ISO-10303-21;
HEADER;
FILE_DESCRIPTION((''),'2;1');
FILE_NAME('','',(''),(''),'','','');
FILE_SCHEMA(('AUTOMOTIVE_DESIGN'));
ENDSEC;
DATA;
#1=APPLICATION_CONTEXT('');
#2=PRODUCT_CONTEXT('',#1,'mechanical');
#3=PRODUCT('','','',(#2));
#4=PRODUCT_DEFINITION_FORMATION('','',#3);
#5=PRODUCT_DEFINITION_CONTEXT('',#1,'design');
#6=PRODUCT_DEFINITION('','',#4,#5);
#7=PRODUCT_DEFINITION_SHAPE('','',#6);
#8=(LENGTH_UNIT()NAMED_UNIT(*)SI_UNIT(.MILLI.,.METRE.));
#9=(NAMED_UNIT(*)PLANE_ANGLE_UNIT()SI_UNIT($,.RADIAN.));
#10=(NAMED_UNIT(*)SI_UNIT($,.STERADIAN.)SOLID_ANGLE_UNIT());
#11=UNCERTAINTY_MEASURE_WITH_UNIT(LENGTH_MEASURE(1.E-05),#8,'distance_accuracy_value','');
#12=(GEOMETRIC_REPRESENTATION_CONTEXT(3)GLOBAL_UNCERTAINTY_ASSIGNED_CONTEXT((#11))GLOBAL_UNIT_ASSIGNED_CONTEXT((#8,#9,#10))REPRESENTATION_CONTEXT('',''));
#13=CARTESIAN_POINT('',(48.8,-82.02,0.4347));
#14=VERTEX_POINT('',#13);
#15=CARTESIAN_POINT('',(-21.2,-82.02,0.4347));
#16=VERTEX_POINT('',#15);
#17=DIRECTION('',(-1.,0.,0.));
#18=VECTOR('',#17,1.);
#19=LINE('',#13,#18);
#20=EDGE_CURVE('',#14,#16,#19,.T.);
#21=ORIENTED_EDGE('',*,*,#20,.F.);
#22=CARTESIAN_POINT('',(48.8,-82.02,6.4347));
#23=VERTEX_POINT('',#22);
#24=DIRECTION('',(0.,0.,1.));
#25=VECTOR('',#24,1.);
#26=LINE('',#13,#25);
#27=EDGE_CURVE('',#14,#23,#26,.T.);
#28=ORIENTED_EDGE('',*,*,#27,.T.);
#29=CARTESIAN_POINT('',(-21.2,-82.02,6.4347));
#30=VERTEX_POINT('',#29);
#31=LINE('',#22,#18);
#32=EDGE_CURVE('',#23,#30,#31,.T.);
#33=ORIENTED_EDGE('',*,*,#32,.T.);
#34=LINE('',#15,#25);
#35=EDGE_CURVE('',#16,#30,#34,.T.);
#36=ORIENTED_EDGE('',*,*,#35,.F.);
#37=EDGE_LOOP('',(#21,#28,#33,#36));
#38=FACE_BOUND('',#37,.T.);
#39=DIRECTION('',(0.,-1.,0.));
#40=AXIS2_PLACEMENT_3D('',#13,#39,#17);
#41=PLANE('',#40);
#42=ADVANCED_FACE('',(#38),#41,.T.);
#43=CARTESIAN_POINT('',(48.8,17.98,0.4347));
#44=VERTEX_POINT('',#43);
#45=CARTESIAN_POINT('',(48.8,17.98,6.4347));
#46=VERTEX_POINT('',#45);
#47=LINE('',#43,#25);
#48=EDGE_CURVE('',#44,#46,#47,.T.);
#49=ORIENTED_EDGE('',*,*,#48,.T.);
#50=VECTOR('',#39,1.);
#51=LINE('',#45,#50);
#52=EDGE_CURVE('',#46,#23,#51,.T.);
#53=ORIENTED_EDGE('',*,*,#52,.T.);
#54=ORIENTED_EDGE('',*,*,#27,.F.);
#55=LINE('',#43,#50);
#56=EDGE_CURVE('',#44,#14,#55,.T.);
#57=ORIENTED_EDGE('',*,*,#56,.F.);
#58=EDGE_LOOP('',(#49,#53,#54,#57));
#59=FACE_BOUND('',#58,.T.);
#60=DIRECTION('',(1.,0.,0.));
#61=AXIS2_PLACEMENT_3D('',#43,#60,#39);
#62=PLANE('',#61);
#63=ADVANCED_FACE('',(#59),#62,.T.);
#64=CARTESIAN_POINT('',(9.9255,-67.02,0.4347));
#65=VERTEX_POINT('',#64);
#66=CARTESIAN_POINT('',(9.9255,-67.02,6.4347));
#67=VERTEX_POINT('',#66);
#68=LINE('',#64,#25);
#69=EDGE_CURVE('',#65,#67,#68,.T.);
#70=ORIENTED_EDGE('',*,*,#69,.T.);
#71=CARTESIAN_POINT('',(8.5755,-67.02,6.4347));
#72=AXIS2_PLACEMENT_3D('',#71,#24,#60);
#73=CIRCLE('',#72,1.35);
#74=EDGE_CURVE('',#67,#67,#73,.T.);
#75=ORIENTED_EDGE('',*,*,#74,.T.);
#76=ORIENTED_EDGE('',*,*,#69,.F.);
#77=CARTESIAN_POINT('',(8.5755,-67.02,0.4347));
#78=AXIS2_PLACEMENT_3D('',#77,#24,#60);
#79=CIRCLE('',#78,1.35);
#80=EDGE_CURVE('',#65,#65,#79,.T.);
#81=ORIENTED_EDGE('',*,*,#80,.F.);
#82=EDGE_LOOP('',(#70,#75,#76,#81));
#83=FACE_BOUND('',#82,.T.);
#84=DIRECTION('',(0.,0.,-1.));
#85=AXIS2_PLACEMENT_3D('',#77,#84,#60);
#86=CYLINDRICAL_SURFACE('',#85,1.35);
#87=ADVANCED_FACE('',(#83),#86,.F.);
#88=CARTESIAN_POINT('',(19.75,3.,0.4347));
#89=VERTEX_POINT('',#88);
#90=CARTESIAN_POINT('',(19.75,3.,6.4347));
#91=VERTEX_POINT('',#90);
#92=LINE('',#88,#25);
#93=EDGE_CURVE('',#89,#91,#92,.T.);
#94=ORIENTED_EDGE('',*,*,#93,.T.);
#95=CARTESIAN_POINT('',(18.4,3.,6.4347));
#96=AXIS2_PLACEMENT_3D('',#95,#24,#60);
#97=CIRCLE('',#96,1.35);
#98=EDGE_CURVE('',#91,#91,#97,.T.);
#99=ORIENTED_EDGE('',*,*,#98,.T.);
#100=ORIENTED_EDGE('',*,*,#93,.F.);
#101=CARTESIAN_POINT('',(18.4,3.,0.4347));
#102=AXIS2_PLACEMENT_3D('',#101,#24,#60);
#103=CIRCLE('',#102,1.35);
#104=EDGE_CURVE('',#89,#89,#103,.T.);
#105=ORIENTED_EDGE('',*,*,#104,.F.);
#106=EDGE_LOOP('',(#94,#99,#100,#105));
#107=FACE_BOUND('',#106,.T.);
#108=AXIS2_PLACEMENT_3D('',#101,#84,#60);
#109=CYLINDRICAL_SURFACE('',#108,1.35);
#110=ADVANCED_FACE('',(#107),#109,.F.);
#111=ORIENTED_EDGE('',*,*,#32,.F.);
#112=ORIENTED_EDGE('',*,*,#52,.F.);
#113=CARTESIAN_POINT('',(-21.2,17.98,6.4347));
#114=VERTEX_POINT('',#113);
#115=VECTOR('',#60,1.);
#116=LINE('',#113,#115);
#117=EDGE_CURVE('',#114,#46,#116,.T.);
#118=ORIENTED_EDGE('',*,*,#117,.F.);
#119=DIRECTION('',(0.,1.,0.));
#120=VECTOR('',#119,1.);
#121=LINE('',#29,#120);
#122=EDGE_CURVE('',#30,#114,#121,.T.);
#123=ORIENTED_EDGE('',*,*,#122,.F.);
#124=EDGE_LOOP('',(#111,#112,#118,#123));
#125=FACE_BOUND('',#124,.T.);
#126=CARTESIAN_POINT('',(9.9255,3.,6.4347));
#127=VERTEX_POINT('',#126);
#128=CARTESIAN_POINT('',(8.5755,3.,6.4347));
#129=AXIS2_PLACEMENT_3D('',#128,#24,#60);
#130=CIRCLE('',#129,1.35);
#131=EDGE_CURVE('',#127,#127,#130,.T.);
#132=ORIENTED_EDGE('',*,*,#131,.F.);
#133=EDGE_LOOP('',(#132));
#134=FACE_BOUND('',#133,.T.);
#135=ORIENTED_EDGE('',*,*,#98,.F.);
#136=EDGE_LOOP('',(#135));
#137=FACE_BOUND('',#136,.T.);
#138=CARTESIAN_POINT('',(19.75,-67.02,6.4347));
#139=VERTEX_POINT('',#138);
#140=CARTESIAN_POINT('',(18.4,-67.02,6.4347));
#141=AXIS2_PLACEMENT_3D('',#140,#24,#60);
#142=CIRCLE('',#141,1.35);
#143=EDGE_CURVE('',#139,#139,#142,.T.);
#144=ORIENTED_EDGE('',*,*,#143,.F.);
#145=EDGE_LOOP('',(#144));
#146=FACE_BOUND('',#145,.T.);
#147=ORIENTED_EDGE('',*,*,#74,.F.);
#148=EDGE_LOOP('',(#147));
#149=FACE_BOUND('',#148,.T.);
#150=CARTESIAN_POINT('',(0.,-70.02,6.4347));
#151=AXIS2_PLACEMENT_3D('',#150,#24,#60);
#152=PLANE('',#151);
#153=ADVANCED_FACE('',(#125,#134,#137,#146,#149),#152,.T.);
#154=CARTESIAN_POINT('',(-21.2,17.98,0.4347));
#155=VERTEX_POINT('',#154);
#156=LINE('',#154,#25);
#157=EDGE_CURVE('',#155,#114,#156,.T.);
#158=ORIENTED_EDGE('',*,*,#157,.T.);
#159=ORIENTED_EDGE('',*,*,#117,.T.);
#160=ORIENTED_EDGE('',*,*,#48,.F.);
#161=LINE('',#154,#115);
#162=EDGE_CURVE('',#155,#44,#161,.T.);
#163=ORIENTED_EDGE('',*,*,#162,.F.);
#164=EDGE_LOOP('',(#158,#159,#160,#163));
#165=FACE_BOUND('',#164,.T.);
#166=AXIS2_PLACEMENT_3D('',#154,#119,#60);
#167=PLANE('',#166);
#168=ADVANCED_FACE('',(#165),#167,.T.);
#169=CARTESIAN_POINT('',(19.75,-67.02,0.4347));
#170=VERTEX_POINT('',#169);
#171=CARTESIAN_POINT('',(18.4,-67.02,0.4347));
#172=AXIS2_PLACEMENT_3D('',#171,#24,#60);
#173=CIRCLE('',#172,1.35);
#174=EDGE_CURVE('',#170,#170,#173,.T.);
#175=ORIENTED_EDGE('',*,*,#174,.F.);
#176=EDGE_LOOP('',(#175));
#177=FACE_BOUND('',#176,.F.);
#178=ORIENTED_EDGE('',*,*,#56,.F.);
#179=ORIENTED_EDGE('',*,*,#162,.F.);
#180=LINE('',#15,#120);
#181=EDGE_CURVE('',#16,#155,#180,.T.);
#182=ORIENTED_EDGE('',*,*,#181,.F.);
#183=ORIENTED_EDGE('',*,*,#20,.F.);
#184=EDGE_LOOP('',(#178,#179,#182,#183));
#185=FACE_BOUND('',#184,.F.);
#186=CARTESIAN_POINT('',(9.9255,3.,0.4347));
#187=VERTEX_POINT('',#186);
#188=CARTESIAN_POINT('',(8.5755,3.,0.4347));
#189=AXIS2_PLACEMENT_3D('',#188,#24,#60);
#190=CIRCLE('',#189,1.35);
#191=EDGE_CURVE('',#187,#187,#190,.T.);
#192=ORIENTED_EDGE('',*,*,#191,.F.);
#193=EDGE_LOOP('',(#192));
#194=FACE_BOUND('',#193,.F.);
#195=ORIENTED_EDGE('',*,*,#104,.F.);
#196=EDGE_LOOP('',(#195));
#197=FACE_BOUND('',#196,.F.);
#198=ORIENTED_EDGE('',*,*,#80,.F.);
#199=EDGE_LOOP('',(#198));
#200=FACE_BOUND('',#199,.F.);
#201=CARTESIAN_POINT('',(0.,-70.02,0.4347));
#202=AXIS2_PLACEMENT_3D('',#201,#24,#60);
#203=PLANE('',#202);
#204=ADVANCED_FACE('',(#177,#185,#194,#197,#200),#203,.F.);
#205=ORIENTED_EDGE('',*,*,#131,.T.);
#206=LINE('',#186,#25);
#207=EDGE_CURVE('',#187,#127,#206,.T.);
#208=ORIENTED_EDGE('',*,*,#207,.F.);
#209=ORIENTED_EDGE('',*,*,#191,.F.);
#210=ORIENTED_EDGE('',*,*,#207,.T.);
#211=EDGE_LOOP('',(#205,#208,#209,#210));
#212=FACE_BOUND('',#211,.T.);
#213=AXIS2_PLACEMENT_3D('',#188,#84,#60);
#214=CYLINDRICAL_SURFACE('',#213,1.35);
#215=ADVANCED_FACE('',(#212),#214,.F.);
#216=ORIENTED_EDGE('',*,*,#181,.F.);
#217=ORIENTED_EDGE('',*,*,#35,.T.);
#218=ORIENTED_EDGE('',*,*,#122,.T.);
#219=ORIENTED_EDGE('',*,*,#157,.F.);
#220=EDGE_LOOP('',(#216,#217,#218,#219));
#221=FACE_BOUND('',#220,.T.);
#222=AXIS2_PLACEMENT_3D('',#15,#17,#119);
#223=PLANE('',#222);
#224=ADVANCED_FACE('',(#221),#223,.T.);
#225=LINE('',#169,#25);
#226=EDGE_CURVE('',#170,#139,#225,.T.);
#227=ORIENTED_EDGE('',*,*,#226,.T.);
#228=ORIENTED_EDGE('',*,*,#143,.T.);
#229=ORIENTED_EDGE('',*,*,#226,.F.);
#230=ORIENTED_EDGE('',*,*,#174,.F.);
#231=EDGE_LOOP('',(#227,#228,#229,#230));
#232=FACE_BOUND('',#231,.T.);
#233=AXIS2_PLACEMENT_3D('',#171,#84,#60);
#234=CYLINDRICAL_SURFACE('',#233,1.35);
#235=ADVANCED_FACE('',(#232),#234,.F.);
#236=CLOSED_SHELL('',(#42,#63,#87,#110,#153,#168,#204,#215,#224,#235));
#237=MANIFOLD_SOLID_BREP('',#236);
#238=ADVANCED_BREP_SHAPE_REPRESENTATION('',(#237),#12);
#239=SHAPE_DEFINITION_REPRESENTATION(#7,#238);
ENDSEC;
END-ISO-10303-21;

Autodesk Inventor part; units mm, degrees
ref_plane "YZ Plane" through (0, 0, 0) normal (1, 0, 0) x (0, 1, 0)
ref_plane "XZ Plane" through (0, 0, 0) normal (0, 1, 0) x (-1, 0, 0)
ref_plane "XY Plane" through (0, 0, 0) normal (0, 0, 1) x (1, 0, 0)
ref_plane "작업 평면1" through (0, -70.02, 0.4347) normal (0, 0, 1) x (1, 0, 0)
sketch "스케치1" plane through (0, -70.02, 0.4347) normal (0, 0, 1) x (1, 0, 0)
  circle A0 centre (18.4, 3) radius 1.35 projected
  circle A1 centre (8.5755, 3) radius 1.35 projected
  line L0 (0, 0) -> (27.6, 0) projected
  line L1 (27.6, 0) -> (27.6, 6) projected
  line L2 (0, 6) -> (27.6, 6) projected
  line L3 (0, 0) -> (0, 6) projected
  circle A2 centre (18.4, 73.02) radius 1.35 projected
  circle A3 centre (8.5755, 73.02) radius 1.35 projected
  line L4 (0, 70.02) -> (27.6, 70.02) projected
  line L5 (27.6, 70.02) -> (27.6, 76.02) projected
  line L6 (0, 76.02) -> (27.6, 76.02) projected
  line L7 (0, 70.02) -> (0, 76.02) projected
  line L8 (13.8, 70.02) -> (13.8, 0)
  line L9 (13.8, 70.02) -> (13.8, 38)
  line L10 (-21.2, -12) -> (-21.2, 88)
  line L11 (-21.2, 88) -> (48.8, 88)
  line L12 (48.8, 88) -> (48.8, -12)
  line L13 (48.8, -12) -> (-21.2, -12)
  line L14 (-21.2, -12) -> (48.8, 88) construction
  line L15 (-21.2, 88) -> (48.8, -12) construction
  point P0 (13.8, 6)
  dimension "d0" = 32.02
  dimension "d1" = 100
  dimension "d2" = 70
extrude "돌출2" add sketch "스케치1" along normal blind 6 contours L3 L2 L8 L0 | L4 L7 L6 L5 | L8 L2 L1 L0 | L10 L11 L12 L13
properties part number "_foot"
